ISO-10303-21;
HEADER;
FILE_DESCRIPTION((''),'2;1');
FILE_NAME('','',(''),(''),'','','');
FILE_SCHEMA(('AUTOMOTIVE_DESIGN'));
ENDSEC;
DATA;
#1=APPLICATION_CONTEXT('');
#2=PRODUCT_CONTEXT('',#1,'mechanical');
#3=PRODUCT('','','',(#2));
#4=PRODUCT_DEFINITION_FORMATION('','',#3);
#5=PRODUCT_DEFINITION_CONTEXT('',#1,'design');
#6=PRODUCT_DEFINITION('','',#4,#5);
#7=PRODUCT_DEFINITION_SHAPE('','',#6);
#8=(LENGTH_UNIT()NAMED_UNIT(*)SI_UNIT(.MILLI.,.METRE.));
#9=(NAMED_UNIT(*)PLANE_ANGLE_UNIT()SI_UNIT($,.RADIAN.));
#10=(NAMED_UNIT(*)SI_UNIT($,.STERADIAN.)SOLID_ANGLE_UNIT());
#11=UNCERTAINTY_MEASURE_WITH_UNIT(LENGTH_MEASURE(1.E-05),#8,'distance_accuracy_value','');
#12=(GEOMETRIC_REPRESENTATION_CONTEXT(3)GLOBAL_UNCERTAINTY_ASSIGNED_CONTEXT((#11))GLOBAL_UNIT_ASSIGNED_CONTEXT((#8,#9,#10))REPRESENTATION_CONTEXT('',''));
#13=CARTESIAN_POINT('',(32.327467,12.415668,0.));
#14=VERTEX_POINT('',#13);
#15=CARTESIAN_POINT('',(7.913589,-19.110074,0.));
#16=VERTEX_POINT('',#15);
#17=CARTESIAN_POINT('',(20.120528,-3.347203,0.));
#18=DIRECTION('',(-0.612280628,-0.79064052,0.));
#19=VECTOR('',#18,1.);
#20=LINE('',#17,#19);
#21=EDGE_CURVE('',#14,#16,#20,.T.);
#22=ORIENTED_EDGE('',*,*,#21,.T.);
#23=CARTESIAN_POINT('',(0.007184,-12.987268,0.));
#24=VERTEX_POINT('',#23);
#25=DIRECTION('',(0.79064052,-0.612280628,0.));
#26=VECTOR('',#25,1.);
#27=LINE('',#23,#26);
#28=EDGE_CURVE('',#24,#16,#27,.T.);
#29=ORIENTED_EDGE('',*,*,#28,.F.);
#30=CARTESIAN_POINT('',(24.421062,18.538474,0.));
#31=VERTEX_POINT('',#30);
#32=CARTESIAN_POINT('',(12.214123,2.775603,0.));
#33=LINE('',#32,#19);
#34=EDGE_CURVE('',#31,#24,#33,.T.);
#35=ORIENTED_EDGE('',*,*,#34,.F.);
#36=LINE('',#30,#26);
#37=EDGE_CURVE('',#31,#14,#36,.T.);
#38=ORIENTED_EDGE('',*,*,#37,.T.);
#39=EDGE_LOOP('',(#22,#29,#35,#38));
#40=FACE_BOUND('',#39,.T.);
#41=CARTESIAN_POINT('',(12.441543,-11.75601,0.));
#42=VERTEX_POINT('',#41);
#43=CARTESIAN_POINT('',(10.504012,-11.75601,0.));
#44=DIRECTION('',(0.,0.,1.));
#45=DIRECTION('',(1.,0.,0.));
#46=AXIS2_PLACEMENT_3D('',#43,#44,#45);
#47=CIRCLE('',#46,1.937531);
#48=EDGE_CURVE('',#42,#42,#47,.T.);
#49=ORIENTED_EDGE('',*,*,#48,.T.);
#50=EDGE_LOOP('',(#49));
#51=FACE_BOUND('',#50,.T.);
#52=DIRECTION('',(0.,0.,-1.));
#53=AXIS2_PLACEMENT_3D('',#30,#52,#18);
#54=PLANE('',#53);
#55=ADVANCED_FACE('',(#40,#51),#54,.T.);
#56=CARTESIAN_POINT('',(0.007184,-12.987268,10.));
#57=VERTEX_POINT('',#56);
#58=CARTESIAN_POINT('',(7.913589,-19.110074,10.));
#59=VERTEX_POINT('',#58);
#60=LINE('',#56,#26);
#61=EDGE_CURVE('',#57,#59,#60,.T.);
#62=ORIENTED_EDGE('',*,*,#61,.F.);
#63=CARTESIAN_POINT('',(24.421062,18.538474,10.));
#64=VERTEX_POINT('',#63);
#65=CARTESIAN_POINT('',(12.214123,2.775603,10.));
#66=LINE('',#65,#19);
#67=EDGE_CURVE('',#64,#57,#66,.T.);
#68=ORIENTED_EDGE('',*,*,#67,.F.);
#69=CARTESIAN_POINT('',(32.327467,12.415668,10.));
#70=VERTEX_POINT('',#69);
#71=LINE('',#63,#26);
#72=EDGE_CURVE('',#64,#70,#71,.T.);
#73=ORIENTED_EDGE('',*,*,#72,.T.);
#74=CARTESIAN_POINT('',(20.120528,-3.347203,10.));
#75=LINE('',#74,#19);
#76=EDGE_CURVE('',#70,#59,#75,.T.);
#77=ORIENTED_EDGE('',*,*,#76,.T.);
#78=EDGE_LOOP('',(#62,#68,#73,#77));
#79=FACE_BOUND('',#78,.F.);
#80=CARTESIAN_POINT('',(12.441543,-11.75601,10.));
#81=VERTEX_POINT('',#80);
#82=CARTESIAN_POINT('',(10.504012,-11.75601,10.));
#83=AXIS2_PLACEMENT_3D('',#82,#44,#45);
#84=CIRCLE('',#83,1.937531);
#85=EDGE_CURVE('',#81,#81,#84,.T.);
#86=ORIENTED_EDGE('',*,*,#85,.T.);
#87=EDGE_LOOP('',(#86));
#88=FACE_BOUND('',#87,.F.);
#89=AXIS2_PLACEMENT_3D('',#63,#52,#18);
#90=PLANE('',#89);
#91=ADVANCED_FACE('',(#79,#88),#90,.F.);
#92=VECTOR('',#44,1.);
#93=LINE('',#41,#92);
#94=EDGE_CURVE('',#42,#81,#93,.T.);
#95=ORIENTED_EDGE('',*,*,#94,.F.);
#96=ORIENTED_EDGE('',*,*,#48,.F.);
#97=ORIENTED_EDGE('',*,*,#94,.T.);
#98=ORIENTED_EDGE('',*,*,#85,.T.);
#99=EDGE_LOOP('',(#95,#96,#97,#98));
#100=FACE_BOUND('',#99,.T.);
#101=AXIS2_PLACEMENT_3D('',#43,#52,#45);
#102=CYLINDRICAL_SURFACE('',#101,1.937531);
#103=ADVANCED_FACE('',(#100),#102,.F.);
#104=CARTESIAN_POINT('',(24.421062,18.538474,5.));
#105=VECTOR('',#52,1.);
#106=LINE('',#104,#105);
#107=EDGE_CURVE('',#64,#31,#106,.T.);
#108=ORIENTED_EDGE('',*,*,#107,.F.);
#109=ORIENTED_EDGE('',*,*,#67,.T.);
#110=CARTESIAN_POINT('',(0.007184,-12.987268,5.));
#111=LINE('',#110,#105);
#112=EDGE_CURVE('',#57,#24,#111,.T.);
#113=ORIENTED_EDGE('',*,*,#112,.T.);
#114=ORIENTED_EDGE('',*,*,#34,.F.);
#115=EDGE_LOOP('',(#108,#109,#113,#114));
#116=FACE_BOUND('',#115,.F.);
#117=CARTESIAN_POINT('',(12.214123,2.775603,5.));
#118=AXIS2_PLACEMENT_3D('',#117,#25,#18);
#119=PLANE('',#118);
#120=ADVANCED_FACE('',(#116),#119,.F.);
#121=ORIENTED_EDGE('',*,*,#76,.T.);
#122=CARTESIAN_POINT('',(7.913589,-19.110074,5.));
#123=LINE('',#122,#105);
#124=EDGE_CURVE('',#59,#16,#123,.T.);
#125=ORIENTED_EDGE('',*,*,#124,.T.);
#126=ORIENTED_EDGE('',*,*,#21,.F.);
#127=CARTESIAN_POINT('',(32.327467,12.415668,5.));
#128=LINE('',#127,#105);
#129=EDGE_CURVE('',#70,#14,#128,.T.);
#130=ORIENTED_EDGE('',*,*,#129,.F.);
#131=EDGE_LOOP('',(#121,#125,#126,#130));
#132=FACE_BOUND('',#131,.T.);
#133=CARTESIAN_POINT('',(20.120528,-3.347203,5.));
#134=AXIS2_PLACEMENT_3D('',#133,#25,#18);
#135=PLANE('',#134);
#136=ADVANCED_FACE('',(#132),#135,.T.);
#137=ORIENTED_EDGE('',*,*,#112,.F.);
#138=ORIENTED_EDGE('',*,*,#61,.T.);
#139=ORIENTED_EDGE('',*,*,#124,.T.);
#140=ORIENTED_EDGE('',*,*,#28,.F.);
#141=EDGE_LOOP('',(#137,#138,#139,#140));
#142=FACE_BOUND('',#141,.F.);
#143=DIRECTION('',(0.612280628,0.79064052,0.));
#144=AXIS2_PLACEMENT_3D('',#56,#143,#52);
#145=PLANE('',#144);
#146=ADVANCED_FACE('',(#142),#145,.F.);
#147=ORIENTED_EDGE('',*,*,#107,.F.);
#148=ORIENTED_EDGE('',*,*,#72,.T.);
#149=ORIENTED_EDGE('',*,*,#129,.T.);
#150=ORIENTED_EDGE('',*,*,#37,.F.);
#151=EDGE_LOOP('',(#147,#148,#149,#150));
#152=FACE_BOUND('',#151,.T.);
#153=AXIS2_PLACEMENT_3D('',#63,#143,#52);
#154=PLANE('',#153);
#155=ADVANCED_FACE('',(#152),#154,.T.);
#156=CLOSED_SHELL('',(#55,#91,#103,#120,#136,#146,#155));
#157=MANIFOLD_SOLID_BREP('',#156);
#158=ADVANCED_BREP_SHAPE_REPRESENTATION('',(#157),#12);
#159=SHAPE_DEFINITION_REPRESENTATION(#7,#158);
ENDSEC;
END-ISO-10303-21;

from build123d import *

# Parameters (mm, degrees)
CIRCLE001_R      = 1.937531
EXTRUDE011_DEPTH = 10
EXTRUDE001_W     = 39.873674
EXTRUDE001_H     = 10
EXTRUDE004_DEPTH = 10


with BuildPart() as extrude011:
    # Circle001 → Extrude011 (new body)
    with BuildSketch(Plane(origin=(10.504012, -11.75601, 0), x_dir=(1, 0, 0), z_dir=(0, 0, 1))):
        Circle(CIRCLE001_R)
    extrude(amount=EXTRUDE011_DEPTH)


with BuildPart() as cut001:
    # Extrude001 → Extrude004 (new body)
    with BuildSketch(Plane(origin=(12.214123, 2.775603, 5), x_dir=(-0.612281, -0.790641, 0), z_dir=(0.790641, -0.612281, 0))):
        Rectangle(EXTRUDE001_W, EXTRUDE001_H)
    extrude(amount=EXTRUDE004_DEPTH)

    # Cut001: cut Extrude011
    add(extrude011.part, mode=Mode.SUBTRACT)


solid = cut001.part
